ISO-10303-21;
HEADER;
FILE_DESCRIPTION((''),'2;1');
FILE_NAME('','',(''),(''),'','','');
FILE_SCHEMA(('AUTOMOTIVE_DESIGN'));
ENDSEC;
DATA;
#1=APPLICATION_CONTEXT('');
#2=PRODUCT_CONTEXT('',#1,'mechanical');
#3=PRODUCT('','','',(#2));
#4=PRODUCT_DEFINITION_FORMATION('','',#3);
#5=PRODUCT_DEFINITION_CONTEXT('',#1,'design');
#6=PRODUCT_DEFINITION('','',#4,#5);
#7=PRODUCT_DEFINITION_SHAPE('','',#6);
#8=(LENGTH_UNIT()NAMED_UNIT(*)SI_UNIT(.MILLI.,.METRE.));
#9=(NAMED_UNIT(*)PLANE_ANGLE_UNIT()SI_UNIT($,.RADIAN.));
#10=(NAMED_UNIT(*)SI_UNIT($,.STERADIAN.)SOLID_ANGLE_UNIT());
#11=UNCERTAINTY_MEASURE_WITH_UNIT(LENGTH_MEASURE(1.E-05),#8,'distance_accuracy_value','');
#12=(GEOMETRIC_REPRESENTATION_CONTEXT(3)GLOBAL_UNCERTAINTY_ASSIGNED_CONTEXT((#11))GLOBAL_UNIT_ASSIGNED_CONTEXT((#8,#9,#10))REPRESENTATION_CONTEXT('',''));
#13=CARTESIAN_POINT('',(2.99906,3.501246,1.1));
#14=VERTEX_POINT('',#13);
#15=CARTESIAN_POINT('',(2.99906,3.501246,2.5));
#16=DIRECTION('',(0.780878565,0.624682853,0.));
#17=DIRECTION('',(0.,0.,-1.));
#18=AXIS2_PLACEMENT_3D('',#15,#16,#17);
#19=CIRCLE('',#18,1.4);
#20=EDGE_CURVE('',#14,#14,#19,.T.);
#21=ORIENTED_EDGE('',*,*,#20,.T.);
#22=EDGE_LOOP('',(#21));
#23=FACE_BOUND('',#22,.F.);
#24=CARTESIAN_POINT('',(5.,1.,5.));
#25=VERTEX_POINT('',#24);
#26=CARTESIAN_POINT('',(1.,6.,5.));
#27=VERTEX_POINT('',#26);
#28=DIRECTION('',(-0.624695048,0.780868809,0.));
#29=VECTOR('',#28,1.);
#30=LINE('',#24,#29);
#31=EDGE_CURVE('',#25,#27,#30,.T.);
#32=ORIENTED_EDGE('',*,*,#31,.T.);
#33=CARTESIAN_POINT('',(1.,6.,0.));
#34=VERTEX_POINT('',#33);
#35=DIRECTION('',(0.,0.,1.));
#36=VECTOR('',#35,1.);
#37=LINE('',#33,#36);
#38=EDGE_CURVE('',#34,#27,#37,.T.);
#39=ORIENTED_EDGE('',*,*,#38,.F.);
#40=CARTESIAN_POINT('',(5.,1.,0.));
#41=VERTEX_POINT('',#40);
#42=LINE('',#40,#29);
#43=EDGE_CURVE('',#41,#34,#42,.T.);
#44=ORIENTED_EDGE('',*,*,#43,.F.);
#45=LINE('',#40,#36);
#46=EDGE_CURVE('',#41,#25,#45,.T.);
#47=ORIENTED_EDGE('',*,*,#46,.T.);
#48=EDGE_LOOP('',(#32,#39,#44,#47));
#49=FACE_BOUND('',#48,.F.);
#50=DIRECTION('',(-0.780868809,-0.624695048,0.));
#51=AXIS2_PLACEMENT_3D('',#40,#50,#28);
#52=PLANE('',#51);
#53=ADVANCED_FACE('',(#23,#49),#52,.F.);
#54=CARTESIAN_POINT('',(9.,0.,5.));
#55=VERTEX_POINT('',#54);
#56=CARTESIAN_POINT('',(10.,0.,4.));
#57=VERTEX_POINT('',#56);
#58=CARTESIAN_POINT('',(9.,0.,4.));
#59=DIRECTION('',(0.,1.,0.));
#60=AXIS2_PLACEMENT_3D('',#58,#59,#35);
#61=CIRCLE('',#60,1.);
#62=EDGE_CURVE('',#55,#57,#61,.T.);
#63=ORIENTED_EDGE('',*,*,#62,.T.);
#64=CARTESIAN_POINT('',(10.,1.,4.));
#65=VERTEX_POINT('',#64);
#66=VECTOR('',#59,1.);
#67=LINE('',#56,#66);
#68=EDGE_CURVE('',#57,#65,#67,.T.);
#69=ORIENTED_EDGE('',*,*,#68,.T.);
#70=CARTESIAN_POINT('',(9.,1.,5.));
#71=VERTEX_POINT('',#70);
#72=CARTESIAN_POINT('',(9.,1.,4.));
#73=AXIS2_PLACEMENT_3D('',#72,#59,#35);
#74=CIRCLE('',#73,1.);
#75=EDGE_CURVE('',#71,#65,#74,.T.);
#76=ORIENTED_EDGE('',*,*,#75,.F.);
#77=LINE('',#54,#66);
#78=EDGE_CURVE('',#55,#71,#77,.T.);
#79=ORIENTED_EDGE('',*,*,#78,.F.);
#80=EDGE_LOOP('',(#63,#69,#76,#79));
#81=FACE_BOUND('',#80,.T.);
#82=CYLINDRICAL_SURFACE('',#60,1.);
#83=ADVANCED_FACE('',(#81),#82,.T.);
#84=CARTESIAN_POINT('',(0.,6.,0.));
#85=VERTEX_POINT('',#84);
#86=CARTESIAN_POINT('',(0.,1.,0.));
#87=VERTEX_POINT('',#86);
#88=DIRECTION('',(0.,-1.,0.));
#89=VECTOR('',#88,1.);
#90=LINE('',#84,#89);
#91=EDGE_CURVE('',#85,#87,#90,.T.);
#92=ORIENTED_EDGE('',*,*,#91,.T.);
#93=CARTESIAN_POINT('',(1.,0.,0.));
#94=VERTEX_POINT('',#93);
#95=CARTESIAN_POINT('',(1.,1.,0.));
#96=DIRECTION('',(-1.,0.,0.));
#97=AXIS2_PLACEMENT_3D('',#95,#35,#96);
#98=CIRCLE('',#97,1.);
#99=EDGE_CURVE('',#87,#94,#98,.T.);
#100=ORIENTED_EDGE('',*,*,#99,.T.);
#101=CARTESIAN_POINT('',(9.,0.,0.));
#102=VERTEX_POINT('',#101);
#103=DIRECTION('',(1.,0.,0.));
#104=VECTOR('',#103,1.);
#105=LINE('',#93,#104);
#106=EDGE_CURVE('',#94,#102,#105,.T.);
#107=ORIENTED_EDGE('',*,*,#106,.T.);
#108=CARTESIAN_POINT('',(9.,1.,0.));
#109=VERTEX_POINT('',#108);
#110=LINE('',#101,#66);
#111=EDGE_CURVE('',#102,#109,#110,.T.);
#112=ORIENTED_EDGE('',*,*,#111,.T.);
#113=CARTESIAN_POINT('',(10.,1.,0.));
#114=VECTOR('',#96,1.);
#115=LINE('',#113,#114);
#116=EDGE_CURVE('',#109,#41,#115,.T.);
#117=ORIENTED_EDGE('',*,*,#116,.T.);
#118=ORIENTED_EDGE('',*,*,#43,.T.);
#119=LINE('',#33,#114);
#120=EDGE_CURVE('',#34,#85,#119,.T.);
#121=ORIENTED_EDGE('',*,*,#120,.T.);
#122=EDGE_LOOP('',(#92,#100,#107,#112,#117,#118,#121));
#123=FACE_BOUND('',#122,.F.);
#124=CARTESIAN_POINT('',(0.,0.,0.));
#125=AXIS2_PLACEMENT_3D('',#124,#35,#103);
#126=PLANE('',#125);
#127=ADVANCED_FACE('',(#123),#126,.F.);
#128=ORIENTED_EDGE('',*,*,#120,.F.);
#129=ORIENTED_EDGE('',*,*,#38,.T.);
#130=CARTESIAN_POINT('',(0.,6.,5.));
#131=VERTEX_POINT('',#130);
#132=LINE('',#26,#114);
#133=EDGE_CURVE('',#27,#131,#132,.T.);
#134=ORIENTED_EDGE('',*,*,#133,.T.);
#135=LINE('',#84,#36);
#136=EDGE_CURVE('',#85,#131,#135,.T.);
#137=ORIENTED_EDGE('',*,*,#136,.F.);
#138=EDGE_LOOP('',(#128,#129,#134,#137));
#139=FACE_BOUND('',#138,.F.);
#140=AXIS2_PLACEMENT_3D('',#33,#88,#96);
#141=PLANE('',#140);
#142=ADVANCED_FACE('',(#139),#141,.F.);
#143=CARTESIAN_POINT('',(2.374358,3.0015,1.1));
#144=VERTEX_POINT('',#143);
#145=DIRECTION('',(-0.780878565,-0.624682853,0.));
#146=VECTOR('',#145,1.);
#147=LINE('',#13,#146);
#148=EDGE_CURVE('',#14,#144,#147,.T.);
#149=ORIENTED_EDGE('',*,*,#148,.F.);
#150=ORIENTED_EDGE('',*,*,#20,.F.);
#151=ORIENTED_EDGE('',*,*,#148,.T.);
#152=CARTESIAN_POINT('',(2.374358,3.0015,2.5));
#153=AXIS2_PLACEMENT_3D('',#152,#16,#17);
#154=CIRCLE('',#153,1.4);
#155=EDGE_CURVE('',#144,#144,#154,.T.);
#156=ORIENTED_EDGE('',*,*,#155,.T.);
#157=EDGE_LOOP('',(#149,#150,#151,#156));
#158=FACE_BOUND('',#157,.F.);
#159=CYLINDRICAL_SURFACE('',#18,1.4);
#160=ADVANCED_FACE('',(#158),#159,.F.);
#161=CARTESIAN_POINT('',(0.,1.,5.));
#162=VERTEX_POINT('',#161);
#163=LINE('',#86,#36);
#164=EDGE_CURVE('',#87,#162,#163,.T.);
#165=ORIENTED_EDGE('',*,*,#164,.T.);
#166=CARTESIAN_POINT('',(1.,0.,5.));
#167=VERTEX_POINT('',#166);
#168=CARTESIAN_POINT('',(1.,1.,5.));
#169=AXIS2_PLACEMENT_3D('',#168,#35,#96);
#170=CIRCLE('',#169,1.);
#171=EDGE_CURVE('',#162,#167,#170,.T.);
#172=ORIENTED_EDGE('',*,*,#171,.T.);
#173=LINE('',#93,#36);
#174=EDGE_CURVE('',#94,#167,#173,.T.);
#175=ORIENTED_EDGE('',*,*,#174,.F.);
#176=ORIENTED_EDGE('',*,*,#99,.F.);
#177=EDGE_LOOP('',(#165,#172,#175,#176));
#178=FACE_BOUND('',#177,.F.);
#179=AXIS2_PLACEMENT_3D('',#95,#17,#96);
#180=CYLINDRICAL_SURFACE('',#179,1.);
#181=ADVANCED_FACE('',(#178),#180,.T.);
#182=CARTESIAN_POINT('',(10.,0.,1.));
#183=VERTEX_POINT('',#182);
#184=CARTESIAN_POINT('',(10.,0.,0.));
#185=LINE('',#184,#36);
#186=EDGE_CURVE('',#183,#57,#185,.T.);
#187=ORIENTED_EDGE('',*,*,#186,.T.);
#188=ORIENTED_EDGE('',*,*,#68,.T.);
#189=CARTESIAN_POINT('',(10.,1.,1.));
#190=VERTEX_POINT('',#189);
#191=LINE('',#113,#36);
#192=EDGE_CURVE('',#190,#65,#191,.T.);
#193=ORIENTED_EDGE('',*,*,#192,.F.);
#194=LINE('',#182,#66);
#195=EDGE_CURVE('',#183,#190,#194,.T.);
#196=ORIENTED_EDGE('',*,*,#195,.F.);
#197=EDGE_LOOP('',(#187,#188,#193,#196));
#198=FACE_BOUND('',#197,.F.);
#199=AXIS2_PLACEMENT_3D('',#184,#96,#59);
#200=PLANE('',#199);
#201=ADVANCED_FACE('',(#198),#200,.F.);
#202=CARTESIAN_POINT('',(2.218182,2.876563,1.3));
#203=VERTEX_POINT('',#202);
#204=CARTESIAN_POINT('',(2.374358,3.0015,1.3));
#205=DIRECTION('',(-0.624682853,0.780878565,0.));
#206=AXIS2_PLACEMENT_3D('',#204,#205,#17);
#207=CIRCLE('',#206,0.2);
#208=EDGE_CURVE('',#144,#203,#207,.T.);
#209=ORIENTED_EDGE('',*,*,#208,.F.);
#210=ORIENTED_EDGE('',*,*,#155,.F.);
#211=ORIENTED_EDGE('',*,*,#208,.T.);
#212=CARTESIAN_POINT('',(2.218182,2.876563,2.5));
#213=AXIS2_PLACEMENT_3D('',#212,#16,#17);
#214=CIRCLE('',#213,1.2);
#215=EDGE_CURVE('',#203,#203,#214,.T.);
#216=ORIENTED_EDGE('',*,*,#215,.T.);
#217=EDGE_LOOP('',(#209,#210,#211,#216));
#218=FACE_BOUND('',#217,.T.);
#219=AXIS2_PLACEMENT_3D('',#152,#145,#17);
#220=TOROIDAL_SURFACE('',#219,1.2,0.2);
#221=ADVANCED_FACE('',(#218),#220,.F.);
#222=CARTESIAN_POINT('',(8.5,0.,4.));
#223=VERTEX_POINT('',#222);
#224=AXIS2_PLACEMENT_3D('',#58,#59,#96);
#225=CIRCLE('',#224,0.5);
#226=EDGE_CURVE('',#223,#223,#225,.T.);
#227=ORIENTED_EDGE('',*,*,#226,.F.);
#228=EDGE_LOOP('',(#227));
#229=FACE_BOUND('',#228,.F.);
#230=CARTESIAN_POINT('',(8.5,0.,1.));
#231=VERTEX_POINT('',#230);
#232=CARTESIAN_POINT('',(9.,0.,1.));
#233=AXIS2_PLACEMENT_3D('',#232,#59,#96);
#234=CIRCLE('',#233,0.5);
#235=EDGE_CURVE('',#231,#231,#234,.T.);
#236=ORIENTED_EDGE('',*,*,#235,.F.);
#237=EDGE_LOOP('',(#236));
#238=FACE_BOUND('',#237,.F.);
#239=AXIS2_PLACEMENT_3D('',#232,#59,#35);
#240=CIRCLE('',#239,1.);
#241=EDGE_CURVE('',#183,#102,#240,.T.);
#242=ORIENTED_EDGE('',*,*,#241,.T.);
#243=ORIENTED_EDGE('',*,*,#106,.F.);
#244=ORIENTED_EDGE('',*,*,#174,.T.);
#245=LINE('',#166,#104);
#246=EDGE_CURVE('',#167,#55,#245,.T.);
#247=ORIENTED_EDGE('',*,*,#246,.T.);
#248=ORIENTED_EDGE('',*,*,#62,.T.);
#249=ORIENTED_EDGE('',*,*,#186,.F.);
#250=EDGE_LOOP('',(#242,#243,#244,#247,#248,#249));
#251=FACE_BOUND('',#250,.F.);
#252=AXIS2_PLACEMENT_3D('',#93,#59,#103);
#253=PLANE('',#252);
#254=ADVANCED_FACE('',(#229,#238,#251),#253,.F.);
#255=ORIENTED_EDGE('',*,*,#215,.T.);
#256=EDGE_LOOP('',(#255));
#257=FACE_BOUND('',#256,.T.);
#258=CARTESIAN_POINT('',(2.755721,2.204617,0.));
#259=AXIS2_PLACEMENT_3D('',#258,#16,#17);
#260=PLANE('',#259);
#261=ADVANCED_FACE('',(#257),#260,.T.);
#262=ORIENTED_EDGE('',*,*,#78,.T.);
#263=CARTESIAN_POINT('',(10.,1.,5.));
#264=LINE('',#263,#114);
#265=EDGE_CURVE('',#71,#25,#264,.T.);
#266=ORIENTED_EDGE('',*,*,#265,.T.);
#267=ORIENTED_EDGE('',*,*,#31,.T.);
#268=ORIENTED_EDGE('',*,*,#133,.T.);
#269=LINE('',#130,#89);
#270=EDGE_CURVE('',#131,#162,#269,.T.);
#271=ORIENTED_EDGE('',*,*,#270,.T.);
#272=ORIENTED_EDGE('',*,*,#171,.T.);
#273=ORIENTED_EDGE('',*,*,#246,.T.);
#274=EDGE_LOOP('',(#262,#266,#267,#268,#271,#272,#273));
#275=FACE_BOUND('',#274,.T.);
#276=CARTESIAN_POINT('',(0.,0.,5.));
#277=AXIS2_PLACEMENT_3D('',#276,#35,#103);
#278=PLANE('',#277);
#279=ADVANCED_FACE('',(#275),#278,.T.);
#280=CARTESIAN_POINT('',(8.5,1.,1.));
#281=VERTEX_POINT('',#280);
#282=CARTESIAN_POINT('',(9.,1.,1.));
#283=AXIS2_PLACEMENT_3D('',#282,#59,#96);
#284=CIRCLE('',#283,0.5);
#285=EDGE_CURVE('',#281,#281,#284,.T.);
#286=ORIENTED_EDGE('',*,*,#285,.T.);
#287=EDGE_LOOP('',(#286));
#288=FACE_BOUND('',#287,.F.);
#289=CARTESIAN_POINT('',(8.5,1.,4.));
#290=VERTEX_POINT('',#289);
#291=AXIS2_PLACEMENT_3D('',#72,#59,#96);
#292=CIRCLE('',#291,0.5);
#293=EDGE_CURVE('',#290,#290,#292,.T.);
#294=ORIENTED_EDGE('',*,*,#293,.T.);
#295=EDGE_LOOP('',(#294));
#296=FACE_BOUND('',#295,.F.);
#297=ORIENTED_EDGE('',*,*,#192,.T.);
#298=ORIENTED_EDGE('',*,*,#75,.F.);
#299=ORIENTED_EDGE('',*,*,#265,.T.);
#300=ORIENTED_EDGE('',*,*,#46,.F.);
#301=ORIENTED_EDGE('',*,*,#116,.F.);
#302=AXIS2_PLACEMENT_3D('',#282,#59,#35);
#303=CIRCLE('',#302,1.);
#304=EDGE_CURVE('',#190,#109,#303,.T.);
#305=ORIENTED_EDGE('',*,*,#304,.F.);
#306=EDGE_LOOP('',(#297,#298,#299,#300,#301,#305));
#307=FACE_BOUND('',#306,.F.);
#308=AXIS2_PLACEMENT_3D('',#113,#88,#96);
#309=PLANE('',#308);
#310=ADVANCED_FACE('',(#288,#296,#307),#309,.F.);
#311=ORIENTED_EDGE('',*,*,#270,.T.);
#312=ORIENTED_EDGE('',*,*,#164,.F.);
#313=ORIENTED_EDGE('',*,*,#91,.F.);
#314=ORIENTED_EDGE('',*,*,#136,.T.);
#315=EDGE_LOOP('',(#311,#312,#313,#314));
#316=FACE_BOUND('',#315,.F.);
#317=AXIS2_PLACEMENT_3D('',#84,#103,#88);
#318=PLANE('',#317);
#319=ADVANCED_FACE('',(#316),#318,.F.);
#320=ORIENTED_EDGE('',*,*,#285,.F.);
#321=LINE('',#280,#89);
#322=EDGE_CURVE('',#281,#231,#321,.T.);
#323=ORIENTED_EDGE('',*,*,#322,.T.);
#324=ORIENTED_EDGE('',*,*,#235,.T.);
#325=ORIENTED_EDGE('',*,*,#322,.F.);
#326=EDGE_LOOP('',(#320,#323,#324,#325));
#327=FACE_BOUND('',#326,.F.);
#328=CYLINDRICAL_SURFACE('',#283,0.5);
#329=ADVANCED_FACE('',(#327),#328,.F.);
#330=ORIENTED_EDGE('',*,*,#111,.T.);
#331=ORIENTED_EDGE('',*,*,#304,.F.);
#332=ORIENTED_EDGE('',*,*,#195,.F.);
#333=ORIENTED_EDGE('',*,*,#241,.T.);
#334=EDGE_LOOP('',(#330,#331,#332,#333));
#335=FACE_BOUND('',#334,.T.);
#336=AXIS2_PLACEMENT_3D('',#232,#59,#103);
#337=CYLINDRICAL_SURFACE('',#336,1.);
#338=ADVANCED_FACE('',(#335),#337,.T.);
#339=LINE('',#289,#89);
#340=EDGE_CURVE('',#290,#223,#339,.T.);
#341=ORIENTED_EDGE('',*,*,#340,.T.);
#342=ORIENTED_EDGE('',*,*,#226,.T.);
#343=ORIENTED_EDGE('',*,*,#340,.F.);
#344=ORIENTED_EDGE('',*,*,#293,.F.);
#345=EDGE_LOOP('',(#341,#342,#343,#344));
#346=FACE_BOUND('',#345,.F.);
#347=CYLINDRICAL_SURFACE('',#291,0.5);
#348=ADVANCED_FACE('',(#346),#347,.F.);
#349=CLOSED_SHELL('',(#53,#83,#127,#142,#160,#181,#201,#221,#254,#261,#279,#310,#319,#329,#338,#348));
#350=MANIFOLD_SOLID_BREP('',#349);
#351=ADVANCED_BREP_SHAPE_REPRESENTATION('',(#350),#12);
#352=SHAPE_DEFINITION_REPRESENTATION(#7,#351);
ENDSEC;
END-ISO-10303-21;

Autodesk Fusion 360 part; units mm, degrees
sketch "Sketch1" plane through (0, 0, 0) normal (0, 0, 1) x (1, 0, 0)
  line L0 (0, 6) -> (0, 1)
  line L1 (1, 0) -> (10, 0)
  line L2 (10, 0) -> (10, 1)
  line L3 (10, 1) -> (5, 1)
  line L4 (5, 1) -> (1, 6)
  line L5 (1, 6) -> (0, 6)
  arc A0 (0, 1) -> (1, 0) centre (1, 1) ccw
  dimension "d1" = 6
  dimension "d2" = 10
  dimension "d3" = 1
  dimension "d4" = 5
  dimension "d5" = 1
  dimension "d6" = 1
extrude "Extrude1" add sketch "Sketch1" along normal blind 5
sketch "Sketch2" plane through (3.5366, 2.8293, 0) normal (0.7809, 0.6247, 0) x (0, 0, -1)
  line L0 (0, -2.3426) -> (0, 4.0605)
  line L1 (0, 4.0605) -> (-5, 4.0605)
  line L2 (-5, 4.0605) -> (-5, -2.3426)
  line L3 (-5, -2.3426) -> (0, -2.3426)
  circle A0 centre (-2.5, 0.8605) radius 1.4
  dimension "d9" = 2.8
  dimension "d10" = 3.2
  dimension "d11" = 2.5
extrude "Extrude2" cut sketch "Sketch2" against normal blind 1 contours A0
fillet "Fillet1" radius 0.2 1 edges at (1.9019, 3.2718, 3.8053)
fillet "Fillet2" radius 1 1 edges at (10, 0.5, 5)
fillet "Fillet3" radius 1 1 edges at (10, 0.5, 0)
sketch "Sketch3" plane through (0, 1, 0) normal (0, 1, 0) x (-1, 0, 0)
  arc A0 (-10, 1) -> (-9, 0) centre (-9, 1) ccw
  line L0 (-9, 0) -> (-5, 0)
  line L1 (-5, 0) -> (-5, 5)
  line L2 (-5, 5) -> (-9, 5)
  arc A1 (-9, 5) -> (-10, 4) centre (-9, 4) ccw
  line L3 (-10, 4) -> (-10, 1)
  circle A2 centre (-9, 1) radius 0.5
  circle A3 centre (-9, 4) radius 0.5
  dimension "d17" = 1
  dimension "d18" = 1
  dimension "d19" = 4
extrude "Extrude3" cut sketch "Sketch3" against normal through all contours A2 | A3
